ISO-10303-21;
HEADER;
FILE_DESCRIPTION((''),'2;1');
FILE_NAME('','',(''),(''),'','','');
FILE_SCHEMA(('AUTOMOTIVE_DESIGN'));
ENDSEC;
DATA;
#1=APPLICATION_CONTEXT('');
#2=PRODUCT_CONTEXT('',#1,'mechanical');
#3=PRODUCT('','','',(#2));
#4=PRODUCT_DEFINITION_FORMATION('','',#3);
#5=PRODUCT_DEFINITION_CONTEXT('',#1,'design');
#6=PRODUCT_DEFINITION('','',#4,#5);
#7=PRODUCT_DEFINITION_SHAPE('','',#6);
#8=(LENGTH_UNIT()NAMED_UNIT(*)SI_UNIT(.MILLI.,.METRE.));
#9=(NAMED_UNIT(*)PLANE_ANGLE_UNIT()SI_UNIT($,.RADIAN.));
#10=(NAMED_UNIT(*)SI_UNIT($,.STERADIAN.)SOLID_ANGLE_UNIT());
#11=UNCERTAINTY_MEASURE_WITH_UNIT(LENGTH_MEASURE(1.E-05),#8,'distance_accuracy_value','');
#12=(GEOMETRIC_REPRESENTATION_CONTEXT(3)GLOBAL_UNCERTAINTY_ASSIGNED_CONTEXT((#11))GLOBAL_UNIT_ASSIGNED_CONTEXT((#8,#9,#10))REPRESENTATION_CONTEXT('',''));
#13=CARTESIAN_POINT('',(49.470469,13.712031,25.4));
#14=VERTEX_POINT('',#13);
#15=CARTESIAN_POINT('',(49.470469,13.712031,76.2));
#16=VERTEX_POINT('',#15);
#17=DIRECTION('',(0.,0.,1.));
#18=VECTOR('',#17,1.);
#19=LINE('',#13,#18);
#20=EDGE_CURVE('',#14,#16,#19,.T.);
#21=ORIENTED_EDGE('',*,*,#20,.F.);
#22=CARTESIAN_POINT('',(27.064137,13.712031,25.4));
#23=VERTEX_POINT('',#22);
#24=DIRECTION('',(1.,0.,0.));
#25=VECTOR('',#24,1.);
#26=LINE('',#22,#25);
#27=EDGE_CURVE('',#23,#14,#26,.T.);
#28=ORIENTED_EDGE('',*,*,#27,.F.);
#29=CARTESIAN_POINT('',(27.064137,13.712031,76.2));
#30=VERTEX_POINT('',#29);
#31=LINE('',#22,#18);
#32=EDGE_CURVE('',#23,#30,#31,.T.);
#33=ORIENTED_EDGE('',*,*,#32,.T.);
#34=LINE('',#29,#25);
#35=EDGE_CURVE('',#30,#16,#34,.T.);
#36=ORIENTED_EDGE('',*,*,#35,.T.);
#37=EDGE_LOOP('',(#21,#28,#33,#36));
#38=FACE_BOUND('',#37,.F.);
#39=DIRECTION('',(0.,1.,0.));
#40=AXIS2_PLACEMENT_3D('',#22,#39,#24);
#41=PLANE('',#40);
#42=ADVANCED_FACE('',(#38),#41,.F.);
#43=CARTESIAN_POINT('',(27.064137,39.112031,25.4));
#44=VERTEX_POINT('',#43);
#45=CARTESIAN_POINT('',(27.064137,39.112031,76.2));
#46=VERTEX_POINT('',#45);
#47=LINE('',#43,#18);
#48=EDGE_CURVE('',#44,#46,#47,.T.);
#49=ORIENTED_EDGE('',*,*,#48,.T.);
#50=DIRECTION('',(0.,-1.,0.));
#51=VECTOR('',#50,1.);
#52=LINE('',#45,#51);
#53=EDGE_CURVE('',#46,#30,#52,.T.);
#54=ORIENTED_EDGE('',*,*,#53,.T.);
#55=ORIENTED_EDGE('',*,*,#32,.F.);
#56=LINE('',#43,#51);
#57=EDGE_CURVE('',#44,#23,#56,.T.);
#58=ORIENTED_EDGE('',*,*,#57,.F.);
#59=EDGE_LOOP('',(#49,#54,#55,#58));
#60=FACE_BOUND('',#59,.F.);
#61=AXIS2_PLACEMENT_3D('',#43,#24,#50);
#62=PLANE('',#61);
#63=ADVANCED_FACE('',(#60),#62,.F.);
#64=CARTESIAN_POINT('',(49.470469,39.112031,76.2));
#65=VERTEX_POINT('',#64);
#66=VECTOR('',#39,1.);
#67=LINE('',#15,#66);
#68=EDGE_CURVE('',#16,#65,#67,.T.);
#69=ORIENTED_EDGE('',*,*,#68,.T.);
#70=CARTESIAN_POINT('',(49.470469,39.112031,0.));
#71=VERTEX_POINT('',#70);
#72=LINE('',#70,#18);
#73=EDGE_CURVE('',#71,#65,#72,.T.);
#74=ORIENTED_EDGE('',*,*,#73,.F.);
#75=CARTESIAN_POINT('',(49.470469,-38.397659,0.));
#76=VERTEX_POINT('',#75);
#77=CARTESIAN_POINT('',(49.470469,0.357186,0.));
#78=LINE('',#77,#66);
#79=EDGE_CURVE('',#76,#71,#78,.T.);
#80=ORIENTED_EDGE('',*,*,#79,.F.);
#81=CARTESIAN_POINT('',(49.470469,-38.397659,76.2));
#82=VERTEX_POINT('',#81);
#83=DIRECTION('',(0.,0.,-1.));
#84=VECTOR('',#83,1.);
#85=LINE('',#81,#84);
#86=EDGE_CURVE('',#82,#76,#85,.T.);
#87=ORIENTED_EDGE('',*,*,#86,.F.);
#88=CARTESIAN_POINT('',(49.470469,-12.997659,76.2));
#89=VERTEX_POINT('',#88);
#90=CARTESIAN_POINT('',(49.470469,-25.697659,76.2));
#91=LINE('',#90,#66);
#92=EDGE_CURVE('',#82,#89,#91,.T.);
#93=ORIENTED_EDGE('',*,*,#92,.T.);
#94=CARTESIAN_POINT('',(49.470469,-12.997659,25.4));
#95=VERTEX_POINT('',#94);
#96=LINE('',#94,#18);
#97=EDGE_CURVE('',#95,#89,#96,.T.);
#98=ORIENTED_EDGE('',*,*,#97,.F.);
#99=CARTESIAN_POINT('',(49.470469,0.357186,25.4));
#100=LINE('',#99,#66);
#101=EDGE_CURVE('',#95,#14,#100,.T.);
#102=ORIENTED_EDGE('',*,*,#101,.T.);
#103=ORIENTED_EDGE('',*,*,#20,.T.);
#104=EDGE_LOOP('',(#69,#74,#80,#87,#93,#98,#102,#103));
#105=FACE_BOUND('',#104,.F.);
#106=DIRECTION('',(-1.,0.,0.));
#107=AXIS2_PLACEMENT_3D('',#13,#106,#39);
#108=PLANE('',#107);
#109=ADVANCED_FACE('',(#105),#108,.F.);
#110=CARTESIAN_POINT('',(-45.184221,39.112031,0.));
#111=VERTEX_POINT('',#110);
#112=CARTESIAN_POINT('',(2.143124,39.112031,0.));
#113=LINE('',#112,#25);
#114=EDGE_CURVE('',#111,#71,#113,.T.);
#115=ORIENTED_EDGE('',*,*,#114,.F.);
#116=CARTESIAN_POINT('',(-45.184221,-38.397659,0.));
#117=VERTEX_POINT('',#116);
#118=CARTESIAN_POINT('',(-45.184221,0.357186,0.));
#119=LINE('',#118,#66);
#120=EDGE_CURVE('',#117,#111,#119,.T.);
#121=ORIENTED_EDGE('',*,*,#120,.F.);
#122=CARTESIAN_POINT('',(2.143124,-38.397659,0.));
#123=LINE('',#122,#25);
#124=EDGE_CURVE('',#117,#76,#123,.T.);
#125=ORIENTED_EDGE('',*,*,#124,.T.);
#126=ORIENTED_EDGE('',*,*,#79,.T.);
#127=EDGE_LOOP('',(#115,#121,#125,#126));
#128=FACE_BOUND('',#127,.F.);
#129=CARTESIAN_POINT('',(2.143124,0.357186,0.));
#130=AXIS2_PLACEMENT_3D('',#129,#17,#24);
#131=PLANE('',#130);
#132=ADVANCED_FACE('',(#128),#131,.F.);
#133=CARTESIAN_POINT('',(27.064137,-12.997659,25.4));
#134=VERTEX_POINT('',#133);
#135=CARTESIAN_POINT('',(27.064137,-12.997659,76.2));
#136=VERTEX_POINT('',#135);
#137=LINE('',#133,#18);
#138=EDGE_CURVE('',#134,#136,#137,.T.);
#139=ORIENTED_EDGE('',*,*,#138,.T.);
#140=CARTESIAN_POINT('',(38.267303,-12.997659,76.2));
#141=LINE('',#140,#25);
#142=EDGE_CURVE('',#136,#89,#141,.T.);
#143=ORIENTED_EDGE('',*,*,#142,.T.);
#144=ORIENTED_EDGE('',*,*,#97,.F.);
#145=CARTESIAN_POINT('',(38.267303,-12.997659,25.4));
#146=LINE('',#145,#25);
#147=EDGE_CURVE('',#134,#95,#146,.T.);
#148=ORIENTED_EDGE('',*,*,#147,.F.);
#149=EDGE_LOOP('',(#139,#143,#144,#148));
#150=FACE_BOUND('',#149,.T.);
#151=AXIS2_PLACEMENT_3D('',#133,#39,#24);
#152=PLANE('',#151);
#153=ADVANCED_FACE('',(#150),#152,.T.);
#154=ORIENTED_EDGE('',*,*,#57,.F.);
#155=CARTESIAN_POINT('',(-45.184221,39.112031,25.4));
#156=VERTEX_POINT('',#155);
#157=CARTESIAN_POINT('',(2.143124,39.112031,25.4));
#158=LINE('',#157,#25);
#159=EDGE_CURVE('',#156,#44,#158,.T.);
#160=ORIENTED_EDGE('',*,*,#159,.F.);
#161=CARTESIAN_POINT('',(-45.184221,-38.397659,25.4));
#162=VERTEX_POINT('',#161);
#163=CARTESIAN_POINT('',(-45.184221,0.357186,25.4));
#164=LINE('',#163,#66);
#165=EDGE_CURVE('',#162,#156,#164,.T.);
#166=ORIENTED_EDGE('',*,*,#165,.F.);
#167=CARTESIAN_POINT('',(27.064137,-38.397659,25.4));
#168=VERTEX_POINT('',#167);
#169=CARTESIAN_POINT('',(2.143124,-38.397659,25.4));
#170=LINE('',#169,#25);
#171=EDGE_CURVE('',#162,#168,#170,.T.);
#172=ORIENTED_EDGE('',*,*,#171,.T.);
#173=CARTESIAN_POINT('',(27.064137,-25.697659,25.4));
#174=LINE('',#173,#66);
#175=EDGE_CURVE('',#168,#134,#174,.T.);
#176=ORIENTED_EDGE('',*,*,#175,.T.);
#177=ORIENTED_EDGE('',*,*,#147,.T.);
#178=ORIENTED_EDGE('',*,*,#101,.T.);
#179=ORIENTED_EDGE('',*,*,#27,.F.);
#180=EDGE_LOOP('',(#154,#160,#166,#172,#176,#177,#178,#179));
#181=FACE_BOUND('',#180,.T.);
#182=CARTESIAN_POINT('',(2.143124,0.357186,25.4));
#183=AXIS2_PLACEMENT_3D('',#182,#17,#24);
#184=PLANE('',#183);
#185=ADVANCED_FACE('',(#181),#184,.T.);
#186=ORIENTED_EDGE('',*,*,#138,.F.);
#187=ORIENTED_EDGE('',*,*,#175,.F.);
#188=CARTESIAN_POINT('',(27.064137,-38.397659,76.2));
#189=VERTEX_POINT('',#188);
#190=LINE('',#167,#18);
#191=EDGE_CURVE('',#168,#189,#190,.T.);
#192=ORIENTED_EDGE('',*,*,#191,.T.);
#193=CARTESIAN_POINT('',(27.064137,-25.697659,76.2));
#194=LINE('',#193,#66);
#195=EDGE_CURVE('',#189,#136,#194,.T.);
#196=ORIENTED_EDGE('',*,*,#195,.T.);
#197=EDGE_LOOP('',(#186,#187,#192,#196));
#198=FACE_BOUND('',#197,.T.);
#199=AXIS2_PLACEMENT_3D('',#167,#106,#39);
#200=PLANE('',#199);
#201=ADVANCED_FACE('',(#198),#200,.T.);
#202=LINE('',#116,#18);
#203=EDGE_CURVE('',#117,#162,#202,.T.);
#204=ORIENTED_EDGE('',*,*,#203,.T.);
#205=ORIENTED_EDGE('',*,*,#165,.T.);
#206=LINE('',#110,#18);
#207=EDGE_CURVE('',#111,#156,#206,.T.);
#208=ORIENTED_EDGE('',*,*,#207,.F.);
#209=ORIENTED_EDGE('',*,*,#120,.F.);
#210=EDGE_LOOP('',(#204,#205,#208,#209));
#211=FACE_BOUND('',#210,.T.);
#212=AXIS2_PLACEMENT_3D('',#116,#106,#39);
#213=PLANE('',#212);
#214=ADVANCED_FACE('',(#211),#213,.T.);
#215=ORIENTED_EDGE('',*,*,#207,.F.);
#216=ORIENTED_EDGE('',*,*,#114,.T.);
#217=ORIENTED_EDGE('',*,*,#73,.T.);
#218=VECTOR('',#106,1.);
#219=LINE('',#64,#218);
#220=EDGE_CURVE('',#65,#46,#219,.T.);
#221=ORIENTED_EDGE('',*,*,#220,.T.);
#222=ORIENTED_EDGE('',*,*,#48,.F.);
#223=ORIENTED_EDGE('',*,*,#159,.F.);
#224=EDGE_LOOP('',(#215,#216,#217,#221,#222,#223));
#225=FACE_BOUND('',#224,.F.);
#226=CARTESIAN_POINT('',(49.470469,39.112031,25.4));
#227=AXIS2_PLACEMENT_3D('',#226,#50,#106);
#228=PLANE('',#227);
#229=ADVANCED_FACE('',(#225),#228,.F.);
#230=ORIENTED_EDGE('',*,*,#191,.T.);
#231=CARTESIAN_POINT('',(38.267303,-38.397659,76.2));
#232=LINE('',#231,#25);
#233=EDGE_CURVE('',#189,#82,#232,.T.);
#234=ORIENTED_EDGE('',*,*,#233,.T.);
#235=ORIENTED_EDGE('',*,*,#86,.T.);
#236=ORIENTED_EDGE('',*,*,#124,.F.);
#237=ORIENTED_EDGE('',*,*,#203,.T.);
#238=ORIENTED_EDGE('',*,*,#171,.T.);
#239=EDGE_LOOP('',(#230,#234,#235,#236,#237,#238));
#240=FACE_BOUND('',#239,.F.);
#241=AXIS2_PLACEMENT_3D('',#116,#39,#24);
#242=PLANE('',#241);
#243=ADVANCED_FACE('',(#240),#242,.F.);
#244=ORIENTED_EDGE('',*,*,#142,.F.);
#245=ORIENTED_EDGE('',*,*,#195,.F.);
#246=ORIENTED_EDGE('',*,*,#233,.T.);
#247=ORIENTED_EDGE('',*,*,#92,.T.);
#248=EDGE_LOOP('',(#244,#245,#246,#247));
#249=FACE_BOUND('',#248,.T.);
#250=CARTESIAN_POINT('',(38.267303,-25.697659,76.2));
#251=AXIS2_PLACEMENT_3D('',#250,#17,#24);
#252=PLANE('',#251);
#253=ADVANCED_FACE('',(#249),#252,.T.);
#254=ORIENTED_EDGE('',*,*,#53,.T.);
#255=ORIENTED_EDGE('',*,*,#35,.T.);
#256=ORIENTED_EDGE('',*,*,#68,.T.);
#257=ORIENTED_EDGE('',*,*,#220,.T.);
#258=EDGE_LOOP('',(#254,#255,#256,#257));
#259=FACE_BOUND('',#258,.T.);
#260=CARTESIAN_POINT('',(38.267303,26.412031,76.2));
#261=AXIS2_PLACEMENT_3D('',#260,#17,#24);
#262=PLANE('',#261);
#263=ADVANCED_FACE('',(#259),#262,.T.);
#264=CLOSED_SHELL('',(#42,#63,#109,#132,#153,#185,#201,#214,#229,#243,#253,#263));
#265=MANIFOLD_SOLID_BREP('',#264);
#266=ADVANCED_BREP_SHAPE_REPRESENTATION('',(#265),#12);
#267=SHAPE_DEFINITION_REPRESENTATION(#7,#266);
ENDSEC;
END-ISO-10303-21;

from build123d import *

# Parameters (mm, degrees)
F0_W     = 94.65469
F0_H     = 77.50969
F1_DEPTH = 25.4
F2_W     = 22.406332
F2_H     = 25.4
F3_DEPTH = 50.8


with BuildPart() as f1:
    # F0 (on Top) → F1 (new body)
    with BuildSketch(Plane.XY):
        with Locations((2.143124, 0.357186)):
            Rectangle(F0_W, F0_H)
    extrude(amount=F1_DEPTH)

    # F2 (on face) → F3 (join)
    with BuildSketch(Plane.XY.offset(25.4)):
        Polygon((49.470469, 13.712031), (49.470469, 39.112031), (30.480001, 39.112031), (27.064137, 39.112031), (27.064137, 13.712031), align=None)
        with Locations((38.267303, -25.697659)):
            Rectangle(F2_W, F2_H)
    extrude(amount=F3_DEPTH)


solid = f1.part
